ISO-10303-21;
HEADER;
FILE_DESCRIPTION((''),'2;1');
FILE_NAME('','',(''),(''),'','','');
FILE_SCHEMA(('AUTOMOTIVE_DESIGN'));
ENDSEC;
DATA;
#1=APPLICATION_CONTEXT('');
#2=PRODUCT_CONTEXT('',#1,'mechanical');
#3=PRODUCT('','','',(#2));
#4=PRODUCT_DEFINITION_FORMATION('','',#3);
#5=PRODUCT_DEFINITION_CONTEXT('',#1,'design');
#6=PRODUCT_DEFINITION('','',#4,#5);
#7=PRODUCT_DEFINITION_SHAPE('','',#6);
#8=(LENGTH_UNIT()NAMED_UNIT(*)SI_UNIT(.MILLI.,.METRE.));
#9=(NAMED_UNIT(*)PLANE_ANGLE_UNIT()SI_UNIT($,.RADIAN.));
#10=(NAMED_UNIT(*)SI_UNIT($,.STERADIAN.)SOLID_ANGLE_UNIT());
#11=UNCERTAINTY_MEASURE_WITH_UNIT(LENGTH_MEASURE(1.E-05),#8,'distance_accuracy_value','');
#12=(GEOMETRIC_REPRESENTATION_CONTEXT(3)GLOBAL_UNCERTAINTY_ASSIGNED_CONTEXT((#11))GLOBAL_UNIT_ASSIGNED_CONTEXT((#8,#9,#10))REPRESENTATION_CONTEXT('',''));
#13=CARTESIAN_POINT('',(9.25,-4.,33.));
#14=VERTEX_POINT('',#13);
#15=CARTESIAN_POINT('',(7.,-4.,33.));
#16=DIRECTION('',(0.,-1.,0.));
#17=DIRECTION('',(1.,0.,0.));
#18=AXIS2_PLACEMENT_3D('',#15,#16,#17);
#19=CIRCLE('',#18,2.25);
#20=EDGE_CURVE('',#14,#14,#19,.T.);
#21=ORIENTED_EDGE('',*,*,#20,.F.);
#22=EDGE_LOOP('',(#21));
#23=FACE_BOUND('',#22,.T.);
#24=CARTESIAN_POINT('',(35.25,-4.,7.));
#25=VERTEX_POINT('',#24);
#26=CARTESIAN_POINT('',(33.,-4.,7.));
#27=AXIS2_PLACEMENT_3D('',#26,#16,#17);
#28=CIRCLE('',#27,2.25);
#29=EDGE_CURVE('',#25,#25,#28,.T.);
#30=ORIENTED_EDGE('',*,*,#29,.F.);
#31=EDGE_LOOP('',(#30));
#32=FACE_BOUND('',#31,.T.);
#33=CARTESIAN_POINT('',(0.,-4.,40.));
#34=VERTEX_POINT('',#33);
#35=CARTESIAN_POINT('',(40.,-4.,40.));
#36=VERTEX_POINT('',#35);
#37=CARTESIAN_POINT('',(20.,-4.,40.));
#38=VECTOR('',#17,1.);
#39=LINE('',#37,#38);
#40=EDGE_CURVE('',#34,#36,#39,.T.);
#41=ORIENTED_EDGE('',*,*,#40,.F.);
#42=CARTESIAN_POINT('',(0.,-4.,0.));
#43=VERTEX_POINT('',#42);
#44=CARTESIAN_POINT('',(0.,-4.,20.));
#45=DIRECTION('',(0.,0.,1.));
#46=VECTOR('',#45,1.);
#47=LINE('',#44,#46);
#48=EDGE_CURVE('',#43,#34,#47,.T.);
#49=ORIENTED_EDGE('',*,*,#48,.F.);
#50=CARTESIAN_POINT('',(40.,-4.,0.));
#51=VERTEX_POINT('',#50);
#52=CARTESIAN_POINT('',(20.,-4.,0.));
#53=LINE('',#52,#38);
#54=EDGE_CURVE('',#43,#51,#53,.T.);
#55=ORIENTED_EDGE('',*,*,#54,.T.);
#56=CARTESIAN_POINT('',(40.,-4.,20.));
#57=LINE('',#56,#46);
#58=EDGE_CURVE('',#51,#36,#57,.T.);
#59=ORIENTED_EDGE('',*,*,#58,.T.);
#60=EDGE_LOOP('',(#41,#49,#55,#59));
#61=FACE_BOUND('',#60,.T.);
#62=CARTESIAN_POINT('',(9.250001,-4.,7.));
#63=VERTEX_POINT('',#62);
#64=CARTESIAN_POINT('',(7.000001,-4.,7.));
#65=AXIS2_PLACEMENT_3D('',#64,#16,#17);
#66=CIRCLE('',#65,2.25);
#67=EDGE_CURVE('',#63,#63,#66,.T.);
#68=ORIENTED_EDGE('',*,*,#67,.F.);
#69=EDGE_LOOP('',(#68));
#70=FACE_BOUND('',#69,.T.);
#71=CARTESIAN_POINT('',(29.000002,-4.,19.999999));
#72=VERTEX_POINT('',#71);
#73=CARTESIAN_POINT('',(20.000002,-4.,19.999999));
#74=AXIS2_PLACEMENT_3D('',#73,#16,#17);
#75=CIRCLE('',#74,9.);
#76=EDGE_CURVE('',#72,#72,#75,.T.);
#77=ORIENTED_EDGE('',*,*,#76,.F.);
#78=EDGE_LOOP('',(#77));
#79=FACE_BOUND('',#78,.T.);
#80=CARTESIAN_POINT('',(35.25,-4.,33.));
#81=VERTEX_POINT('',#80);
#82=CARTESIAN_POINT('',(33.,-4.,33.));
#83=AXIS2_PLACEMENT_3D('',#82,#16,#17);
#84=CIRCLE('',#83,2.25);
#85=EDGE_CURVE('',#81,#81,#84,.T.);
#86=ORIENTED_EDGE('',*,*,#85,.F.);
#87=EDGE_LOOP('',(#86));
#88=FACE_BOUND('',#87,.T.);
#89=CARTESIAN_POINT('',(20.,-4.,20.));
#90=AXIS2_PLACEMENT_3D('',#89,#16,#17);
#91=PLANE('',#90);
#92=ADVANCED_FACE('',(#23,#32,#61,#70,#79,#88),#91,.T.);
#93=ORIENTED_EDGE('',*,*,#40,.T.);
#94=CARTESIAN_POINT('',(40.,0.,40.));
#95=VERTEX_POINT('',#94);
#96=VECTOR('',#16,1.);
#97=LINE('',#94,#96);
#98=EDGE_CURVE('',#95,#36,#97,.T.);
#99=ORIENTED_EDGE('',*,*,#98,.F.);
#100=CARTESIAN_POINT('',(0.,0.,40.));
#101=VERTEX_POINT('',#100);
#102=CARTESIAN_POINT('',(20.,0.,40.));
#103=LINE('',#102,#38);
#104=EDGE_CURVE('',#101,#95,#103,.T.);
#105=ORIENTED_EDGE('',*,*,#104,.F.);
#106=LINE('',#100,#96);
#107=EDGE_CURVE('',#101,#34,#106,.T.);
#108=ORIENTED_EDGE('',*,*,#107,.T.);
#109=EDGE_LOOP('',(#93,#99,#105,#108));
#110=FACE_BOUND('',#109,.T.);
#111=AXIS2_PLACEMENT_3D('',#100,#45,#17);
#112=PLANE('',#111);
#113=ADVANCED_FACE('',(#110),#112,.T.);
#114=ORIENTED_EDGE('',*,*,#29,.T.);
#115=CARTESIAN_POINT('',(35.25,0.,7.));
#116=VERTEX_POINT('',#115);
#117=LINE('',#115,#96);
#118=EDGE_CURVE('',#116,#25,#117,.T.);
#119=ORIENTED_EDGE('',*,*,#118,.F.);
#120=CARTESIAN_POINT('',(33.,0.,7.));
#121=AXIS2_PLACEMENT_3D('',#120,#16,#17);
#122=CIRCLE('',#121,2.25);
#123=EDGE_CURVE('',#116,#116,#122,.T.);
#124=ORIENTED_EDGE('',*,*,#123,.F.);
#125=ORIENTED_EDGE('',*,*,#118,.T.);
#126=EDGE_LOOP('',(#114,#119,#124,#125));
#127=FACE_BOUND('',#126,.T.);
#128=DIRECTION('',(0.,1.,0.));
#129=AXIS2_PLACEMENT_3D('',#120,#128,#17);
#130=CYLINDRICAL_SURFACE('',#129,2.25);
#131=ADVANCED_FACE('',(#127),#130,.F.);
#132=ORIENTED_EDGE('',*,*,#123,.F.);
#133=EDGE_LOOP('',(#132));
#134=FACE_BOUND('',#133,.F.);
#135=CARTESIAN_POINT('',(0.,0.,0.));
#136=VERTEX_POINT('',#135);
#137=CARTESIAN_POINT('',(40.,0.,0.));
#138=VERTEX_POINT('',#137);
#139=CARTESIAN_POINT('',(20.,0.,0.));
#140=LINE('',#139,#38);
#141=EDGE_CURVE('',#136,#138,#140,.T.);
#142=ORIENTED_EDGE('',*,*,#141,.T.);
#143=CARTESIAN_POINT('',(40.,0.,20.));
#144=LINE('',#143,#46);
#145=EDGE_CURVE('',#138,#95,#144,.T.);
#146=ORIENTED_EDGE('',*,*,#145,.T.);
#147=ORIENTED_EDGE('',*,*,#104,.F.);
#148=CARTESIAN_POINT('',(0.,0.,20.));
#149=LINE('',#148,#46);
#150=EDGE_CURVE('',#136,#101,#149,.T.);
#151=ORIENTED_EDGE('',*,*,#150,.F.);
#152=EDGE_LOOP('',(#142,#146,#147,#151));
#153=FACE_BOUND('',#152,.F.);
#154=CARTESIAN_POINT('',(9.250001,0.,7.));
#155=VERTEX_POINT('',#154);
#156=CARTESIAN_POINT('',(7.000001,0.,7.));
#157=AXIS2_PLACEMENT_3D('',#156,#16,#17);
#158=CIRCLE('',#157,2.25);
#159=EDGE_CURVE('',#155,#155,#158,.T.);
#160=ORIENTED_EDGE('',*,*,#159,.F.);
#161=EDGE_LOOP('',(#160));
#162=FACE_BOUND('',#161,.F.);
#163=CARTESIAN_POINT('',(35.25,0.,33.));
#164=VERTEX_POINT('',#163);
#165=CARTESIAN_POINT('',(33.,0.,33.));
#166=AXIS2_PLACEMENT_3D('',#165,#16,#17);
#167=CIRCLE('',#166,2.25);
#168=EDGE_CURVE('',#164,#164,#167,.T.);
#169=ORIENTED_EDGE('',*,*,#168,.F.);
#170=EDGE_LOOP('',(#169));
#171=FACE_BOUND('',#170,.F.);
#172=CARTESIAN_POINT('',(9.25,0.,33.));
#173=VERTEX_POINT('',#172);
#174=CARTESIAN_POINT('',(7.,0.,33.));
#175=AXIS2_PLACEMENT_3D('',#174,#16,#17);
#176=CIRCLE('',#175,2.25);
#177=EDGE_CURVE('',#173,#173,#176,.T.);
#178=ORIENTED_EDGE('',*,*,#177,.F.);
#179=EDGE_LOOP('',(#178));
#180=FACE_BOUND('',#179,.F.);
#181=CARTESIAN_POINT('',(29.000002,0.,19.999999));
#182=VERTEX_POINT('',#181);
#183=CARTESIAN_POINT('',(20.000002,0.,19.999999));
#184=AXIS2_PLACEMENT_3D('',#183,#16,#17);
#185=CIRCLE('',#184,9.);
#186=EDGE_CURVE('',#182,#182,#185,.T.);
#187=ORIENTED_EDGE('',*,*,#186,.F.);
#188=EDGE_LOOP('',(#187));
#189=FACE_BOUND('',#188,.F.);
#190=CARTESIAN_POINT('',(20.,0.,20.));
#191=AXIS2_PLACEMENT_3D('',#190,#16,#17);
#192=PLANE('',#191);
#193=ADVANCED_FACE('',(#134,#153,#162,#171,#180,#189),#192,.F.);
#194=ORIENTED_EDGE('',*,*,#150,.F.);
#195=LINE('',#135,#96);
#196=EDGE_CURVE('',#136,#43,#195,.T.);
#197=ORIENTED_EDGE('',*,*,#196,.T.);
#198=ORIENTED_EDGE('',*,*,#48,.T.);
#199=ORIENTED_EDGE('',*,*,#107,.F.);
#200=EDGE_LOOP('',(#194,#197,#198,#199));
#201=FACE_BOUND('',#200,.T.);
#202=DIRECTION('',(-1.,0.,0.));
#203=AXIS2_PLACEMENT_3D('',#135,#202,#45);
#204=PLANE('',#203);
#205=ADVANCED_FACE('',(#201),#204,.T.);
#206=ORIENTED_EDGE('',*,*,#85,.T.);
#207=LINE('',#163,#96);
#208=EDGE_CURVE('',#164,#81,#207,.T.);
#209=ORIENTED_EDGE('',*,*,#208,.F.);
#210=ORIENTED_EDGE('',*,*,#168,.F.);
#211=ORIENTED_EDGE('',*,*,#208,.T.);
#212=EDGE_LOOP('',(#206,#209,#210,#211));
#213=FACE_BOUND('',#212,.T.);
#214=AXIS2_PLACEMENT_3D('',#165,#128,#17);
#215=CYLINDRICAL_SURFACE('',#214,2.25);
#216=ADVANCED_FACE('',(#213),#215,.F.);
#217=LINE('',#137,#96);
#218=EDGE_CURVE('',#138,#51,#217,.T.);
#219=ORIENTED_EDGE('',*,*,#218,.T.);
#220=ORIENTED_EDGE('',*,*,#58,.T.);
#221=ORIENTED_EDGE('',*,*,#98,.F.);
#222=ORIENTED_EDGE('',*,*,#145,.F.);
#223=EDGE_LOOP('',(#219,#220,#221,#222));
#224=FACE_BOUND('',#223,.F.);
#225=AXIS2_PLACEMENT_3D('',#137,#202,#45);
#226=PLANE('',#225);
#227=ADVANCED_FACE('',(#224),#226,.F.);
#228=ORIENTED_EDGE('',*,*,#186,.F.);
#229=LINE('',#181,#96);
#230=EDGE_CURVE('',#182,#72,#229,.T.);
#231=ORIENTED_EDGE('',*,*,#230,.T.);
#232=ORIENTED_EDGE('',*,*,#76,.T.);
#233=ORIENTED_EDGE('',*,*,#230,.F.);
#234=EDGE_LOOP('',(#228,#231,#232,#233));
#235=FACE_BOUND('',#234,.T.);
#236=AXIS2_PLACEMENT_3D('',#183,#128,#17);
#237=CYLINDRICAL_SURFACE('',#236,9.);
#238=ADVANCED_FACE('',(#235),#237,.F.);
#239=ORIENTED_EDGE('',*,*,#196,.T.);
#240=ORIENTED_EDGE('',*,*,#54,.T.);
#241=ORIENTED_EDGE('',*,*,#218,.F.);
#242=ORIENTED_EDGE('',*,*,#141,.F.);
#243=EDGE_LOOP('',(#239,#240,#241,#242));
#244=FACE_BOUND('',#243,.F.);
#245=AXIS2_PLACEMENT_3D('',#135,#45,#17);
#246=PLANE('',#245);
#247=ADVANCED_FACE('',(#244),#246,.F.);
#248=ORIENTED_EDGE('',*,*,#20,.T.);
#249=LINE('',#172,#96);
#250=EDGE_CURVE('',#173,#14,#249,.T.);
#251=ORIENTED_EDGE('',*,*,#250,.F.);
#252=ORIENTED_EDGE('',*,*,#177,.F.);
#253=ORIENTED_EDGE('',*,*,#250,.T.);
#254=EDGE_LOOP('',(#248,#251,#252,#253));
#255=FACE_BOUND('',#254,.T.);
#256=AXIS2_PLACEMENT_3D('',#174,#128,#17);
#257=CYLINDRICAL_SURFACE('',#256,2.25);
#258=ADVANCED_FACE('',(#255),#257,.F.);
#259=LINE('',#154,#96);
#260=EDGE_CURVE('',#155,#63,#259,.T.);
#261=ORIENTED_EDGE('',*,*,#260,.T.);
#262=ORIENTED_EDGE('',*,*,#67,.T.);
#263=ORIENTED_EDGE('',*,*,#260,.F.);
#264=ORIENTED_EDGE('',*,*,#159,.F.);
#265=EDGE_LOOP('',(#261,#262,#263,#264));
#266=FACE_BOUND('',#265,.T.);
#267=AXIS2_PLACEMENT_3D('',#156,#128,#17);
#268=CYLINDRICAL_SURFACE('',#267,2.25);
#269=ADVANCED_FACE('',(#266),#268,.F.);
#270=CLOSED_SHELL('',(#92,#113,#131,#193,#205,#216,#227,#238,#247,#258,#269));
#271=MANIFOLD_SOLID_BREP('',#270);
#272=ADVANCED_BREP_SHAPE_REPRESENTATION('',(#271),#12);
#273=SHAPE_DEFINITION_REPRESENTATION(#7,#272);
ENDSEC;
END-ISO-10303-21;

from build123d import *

# Parameters (mm, degrees)
F0_W     = 40
F0_H     = 40
F0_R     = 2.25
F0_R_2   = 9
F1_DEPTH = 4


with BuildPart() as f1:
    # F0 (on Front) → F1 (new body)
    with BuildSketch(Plane.XZ):
        with Locations((20, 20)):
            Rectangle(F0_W, F0_H)
        with Locations((7.000001, 7)):
            Circle(F0_R, mode=Mode.SUBTRACT)
        with Locations((33, 7)):
            Circle(F0_R, mode=Mode.SUBTRACT)
        with Locations((20.000002, 19.999999)):
            Circle(F0_R_2, mode=Mode.SUBTRACT)
        with Locations((7, 33)):
            Circle(F0_R, mode=Mode.SUBTRACT)
        with Locations((33, 33)):
            Circle(F0_R, mode=Mode.SUBTRACT)
    extrude(amount=F1_DEPTH)


solid = f1.part
